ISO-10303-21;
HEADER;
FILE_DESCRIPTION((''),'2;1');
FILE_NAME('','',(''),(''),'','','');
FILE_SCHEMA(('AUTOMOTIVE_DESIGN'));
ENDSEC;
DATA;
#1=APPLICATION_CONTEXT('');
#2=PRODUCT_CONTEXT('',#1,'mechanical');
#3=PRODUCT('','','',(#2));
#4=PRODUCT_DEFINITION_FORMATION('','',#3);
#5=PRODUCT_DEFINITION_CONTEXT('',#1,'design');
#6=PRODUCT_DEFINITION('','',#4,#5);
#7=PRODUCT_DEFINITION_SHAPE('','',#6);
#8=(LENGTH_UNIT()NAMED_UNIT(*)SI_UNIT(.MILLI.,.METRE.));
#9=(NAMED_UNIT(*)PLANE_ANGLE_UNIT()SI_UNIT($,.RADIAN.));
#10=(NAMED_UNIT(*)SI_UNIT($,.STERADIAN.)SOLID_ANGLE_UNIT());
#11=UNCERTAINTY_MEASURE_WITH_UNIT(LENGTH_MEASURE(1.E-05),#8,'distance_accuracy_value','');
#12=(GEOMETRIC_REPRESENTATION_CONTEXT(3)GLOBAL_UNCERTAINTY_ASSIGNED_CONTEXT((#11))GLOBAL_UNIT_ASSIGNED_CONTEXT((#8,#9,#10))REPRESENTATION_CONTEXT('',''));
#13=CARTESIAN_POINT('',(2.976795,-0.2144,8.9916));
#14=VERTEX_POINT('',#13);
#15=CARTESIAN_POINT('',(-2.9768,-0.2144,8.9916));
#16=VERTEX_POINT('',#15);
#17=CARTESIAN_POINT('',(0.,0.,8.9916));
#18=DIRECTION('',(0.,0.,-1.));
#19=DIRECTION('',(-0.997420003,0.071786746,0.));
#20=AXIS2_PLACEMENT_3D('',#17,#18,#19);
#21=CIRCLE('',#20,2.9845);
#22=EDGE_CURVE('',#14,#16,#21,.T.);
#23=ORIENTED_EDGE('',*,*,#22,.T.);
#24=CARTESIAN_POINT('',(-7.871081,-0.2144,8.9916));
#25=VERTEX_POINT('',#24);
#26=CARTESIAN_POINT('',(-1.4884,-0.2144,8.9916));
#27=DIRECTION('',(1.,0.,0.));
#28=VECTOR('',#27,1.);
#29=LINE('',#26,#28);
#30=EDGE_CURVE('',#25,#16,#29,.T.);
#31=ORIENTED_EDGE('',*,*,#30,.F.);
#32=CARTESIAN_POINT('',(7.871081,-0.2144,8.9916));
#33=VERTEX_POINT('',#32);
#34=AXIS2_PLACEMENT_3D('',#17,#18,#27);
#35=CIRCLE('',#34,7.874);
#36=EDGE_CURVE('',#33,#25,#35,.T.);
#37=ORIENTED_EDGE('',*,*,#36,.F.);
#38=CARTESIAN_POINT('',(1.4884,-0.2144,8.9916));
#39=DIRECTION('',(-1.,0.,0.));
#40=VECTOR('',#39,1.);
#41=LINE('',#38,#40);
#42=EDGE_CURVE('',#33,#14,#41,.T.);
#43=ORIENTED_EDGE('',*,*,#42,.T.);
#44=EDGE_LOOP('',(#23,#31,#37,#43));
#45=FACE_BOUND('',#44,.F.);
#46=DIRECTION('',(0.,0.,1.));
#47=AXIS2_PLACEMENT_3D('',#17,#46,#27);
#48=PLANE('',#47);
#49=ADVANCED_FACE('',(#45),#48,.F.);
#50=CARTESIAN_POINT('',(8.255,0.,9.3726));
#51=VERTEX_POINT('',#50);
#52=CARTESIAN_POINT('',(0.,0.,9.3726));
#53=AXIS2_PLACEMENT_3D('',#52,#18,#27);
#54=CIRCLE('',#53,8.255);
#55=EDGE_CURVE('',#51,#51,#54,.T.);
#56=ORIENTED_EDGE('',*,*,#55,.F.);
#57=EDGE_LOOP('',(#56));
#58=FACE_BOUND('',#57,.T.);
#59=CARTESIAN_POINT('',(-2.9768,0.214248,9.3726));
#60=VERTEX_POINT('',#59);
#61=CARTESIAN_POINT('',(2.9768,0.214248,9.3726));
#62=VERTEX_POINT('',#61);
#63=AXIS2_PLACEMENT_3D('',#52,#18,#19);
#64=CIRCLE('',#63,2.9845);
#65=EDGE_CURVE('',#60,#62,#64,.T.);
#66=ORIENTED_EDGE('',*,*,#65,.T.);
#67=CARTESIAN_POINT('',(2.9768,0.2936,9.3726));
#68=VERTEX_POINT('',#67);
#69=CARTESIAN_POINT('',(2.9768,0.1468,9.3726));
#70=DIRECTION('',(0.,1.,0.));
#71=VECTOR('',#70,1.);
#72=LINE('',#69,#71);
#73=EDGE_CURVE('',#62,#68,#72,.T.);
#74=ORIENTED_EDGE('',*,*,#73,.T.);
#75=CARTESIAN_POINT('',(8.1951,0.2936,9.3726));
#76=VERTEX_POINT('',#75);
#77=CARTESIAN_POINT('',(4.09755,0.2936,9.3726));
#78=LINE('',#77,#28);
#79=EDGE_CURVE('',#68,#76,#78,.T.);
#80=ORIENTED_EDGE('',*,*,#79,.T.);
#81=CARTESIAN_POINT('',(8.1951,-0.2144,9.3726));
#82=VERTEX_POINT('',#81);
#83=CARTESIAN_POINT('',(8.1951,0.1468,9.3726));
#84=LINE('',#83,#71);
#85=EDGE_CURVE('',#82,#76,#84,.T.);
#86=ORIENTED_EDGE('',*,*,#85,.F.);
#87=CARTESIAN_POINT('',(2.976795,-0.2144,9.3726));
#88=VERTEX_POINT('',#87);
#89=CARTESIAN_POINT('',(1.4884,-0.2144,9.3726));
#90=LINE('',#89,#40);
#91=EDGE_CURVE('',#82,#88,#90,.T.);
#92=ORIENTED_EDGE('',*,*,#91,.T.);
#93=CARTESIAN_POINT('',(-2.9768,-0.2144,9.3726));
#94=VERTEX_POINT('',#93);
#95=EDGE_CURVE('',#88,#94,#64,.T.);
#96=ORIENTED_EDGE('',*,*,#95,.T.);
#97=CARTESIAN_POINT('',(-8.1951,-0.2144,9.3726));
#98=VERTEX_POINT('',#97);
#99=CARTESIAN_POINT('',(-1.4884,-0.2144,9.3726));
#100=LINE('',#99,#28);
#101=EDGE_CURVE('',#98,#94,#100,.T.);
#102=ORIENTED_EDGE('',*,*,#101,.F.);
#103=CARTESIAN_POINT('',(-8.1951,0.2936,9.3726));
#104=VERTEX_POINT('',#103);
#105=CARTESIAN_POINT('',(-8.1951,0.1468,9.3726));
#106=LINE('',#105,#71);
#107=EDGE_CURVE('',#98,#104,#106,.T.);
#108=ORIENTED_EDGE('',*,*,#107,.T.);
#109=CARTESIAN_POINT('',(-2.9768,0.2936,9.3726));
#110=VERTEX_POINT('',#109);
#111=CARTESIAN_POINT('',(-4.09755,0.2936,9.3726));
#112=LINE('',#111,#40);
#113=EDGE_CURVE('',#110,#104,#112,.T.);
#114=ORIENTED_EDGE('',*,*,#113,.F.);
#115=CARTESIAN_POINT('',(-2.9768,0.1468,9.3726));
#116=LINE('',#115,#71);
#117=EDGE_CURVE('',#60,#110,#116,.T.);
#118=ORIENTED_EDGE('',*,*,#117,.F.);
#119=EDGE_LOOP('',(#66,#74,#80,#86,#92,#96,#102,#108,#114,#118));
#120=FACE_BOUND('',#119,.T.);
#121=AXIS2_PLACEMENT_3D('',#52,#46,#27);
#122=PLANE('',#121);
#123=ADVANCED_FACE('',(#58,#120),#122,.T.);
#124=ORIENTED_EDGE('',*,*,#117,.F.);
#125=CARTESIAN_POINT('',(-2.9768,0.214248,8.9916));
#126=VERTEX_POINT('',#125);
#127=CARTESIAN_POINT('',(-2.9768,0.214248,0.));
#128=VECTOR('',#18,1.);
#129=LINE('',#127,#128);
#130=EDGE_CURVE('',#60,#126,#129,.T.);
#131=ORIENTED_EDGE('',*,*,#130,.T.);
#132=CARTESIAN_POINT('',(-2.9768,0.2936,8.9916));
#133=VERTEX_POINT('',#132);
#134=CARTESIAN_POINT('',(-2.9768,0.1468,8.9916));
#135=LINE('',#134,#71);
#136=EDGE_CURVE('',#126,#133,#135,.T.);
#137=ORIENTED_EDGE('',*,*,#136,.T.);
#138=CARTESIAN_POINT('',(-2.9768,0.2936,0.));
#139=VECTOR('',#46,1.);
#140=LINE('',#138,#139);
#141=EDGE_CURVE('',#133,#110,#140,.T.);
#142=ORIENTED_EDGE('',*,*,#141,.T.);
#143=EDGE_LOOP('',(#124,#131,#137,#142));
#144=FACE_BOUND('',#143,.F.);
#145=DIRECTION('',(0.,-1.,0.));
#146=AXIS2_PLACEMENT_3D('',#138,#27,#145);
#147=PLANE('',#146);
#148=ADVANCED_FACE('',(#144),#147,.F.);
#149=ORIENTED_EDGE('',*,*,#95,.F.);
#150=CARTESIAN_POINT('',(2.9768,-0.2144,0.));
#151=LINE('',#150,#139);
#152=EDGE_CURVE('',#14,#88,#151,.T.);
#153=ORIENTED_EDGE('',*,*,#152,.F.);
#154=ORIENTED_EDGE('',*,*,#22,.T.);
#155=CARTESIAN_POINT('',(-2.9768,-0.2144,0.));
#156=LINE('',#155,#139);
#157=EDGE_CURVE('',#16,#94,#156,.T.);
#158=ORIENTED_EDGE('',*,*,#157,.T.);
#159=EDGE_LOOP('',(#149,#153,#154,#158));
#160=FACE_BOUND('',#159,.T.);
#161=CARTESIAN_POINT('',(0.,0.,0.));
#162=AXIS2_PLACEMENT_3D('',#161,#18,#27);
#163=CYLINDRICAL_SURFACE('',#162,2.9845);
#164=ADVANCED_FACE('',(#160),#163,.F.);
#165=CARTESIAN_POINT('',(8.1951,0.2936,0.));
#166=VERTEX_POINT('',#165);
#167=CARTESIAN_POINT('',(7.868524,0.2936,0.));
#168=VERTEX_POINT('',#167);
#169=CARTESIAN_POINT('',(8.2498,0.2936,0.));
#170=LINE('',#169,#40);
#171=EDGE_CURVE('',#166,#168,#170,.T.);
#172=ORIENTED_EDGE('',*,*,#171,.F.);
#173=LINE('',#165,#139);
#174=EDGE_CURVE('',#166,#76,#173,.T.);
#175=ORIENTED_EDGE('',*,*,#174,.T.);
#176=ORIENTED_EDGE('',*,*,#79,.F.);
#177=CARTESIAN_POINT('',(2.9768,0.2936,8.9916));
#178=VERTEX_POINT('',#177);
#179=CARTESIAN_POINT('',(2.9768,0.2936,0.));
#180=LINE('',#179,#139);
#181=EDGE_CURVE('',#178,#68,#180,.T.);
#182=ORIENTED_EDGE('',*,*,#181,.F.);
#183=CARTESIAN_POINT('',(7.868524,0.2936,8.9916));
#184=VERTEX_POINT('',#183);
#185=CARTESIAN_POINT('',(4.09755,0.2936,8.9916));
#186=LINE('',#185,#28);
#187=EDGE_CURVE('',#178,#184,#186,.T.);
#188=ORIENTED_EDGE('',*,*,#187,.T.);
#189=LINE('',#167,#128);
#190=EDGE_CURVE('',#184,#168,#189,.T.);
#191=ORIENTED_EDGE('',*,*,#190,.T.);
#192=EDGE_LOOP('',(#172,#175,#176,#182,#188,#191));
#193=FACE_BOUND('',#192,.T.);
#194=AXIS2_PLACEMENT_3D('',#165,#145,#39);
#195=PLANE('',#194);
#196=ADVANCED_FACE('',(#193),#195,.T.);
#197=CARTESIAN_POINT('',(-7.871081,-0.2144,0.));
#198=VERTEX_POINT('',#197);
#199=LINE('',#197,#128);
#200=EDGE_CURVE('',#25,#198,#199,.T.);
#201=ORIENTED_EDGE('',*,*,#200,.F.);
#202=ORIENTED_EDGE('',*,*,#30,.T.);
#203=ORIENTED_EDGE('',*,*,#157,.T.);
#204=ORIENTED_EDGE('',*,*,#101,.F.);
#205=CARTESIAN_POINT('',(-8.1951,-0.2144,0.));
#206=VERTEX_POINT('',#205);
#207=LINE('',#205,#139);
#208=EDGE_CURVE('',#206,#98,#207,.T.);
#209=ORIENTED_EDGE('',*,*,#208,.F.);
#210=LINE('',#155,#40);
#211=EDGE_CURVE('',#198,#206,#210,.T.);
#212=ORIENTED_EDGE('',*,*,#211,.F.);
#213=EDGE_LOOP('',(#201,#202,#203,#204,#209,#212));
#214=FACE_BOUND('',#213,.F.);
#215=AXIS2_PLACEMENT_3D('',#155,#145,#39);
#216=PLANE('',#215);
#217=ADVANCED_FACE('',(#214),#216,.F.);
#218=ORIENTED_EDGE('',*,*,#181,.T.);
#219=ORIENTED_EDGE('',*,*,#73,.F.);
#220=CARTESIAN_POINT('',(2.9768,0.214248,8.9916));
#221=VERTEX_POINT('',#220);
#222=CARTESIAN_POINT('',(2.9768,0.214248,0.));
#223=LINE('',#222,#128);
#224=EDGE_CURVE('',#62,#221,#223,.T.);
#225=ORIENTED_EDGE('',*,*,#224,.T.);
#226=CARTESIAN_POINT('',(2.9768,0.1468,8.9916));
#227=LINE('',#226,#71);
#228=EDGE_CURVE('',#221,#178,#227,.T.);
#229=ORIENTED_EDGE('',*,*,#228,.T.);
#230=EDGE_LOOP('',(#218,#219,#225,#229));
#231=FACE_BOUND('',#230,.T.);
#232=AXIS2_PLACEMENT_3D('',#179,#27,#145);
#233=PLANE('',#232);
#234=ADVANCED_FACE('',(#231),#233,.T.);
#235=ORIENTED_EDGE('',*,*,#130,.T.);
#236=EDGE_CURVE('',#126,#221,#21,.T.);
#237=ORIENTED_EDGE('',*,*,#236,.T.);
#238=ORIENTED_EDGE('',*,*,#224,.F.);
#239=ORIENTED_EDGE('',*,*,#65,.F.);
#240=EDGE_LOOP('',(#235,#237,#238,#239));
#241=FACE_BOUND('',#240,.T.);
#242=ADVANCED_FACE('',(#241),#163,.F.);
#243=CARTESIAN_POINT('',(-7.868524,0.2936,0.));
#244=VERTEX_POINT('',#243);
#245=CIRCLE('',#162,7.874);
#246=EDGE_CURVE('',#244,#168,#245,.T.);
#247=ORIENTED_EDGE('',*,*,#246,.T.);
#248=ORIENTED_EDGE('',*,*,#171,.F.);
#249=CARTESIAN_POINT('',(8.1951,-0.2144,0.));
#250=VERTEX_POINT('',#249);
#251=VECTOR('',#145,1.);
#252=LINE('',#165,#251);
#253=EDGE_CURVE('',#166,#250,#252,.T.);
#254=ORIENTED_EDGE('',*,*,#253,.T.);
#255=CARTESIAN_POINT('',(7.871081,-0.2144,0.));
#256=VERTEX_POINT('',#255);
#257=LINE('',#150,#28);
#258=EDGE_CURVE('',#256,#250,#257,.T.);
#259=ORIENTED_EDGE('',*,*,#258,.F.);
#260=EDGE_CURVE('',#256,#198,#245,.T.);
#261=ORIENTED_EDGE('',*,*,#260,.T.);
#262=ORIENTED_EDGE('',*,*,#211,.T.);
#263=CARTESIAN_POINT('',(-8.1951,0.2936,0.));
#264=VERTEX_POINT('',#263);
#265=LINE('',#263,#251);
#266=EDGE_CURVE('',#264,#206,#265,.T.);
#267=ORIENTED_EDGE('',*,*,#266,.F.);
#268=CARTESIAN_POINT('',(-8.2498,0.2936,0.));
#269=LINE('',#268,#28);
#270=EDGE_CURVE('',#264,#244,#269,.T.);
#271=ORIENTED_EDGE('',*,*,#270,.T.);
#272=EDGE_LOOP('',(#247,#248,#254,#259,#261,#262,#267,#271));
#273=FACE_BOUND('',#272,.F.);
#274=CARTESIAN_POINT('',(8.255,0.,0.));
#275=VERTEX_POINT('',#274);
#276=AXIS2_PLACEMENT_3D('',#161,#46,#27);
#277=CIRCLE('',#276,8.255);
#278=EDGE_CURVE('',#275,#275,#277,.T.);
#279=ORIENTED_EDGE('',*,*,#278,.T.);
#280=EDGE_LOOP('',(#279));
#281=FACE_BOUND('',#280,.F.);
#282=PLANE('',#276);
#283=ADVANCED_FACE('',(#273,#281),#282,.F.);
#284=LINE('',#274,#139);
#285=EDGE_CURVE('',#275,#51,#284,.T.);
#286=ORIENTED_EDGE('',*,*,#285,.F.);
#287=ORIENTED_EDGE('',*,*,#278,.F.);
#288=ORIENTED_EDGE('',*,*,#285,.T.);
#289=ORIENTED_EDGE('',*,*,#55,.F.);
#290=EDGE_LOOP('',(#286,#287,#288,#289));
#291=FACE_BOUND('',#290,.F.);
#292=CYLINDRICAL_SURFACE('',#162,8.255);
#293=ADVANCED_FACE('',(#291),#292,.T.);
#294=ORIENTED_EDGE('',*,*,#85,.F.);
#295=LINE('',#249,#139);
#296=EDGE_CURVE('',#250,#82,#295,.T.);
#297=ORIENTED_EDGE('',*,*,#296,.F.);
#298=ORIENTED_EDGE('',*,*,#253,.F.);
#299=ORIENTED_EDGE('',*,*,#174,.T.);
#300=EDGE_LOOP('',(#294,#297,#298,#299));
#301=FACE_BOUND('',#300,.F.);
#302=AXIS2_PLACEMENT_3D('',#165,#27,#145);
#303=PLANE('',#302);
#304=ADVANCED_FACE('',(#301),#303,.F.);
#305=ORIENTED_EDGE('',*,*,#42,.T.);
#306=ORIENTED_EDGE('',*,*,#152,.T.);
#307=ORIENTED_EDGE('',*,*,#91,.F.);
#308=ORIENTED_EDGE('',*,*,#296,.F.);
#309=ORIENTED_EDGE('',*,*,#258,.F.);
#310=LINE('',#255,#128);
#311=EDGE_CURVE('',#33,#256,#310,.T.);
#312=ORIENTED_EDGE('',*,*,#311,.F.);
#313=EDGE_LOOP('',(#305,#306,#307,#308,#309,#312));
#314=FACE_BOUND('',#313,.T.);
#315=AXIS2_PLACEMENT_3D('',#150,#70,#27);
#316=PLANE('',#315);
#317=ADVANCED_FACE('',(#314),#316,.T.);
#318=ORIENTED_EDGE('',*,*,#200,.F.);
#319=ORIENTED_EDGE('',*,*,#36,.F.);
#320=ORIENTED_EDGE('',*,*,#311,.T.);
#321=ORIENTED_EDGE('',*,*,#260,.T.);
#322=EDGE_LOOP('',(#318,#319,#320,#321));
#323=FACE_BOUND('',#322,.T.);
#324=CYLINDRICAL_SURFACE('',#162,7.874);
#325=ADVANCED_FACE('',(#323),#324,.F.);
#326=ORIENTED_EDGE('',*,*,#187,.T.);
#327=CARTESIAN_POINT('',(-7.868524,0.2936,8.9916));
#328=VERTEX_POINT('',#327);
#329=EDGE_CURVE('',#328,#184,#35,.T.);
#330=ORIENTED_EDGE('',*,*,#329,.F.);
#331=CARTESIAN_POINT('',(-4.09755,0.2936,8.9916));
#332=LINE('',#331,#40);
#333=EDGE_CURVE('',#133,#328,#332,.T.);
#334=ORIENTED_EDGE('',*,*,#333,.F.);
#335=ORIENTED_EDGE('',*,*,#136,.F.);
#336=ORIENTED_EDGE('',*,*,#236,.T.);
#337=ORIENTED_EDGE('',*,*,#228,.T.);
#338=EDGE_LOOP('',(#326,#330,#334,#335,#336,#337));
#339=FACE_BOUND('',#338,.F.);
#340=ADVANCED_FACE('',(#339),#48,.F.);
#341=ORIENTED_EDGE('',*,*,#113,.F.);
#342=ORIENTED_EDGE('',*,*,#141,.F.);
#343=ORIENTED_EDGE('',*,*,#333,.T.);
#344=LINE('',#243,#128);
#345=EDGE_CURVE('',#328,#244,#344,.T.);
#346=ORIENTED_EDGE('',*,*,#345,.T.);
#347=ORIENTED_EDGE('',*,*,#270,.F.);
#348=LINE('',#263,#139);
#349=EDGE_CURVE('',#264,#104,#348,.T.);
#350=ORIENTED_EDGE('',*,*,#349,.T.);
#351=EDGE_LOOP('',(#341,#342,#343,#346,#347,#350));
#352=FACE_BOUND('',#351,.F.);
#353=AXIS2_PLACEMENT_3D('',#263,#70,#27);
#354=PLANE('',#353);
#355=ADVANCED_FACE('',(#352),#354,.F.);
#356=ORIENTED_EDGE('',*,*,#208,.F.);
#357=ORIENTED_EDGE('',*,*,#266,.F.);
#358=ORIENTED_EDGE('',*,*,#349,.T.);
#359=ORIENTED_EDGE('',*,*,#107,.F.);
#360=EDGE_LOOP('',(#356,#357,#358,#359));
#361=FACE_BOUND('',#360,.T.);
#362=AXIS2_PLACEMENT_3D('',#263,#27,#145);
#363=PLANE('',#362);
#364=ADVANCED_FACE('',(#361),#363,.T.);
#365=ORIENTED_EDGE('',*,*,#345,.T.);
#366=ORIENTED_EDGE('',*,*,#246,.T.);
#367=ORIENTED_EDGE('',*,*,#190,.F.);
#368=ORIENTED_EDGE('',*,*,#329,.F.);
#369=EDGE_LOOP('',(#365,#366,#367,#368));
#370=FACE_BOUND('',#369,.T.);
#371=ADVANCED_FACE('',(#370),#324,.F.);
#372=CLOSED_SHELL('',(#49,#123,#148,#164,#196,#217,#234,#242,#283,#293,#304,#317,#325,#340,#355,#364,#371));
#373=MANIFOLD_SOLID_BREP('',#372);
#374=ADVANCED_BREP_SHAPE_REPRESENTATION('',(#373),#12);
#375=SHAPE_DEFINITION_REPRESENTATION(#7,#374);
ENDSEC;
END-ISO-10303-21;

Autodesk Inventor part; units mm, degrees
ref_plane "YZ Plane" through (0, 0, 0) normal (1, 0, 0) x (0, 1, 0)
ref_plane "XZ Plane" through (0, 0, 0) normal (0, 1, 0) x (-1, 0, 0)
ref_plane "XY Plane" through (0, 0, 0) normal (0, 0, 1) x (1, 0, 0)
sketch "Sketch1" plane through (0, 0, 0) normal (0, 0, 1) x (1, 0, 0)
  circle A0 centre (0, 0) radius 8.255
  circle A1 centre (0, 0) radius 2.9845
  line L0 (-8.2498, 0.2936) -> (-2.9768, 0.2936)
  line L1 (-2.9768, 0.2936) -> (-2.9768, -0.2144)
  line L2 (-2.9768, -0.2144) -> (-8.2498, -0.2144)
  line L3 (-8.1951, 0.2936) -> (-8.1951, -0.2144)
  line L4 (0, 8.255) -> (0, -8.255) construction
  line L5 (8.2498, 0.2936) -> (2.9768, 0.2936)
  line L6 (2.9768, 0.2936) -> (2.9768, -0.2144)
  line L7 (2.9768, -0.2144) -> (8.2498, -0.2144)
  line L8 (8.1951, 0.2936) -> (8.1951, -0.2144)
  dimension "d13" = 5.969
  dimension "d0" = 16.51
  dimension "d14" = 0.508
extrude "Extrusion1" add sketch "Sketch1" along normal blind 9.3726
shell "Shell1" thickness 0.381 removed faces 1 at (-0.9758, 3.8899, 0)
extrude "Extrusion3" cut sketch "Sketch1" along normal blind 17.526 contours L0 L1 A1 L2 L3 | L1 A1
extrude "Extrusion4" cut sketch "Sketch1" along normal blind 17.526 contours L6 A1 L1 | A1 L6 | L1 A1
extrude "Extrusion5" cut sketch "Sketch1" along normal blind 17.526 contours L8 L7 A1 L6 L5 | A1 L6
sketch "Sketch2" plane through (0, 0, 9.3726) normal (0, 0, 1) x (1, 0, 0)
  circle A0 centre (0, 0) radius 8.255 projected
  line L0 (0, 8.255) -> (0, -8.255)
  line L1 (8.1951, -0.2144) -> (2.9768, -0.2144) projected
  line L2 (8.1951, -0.2144) -> (-8.3257, -0.2144)
properties part number "dis1"
